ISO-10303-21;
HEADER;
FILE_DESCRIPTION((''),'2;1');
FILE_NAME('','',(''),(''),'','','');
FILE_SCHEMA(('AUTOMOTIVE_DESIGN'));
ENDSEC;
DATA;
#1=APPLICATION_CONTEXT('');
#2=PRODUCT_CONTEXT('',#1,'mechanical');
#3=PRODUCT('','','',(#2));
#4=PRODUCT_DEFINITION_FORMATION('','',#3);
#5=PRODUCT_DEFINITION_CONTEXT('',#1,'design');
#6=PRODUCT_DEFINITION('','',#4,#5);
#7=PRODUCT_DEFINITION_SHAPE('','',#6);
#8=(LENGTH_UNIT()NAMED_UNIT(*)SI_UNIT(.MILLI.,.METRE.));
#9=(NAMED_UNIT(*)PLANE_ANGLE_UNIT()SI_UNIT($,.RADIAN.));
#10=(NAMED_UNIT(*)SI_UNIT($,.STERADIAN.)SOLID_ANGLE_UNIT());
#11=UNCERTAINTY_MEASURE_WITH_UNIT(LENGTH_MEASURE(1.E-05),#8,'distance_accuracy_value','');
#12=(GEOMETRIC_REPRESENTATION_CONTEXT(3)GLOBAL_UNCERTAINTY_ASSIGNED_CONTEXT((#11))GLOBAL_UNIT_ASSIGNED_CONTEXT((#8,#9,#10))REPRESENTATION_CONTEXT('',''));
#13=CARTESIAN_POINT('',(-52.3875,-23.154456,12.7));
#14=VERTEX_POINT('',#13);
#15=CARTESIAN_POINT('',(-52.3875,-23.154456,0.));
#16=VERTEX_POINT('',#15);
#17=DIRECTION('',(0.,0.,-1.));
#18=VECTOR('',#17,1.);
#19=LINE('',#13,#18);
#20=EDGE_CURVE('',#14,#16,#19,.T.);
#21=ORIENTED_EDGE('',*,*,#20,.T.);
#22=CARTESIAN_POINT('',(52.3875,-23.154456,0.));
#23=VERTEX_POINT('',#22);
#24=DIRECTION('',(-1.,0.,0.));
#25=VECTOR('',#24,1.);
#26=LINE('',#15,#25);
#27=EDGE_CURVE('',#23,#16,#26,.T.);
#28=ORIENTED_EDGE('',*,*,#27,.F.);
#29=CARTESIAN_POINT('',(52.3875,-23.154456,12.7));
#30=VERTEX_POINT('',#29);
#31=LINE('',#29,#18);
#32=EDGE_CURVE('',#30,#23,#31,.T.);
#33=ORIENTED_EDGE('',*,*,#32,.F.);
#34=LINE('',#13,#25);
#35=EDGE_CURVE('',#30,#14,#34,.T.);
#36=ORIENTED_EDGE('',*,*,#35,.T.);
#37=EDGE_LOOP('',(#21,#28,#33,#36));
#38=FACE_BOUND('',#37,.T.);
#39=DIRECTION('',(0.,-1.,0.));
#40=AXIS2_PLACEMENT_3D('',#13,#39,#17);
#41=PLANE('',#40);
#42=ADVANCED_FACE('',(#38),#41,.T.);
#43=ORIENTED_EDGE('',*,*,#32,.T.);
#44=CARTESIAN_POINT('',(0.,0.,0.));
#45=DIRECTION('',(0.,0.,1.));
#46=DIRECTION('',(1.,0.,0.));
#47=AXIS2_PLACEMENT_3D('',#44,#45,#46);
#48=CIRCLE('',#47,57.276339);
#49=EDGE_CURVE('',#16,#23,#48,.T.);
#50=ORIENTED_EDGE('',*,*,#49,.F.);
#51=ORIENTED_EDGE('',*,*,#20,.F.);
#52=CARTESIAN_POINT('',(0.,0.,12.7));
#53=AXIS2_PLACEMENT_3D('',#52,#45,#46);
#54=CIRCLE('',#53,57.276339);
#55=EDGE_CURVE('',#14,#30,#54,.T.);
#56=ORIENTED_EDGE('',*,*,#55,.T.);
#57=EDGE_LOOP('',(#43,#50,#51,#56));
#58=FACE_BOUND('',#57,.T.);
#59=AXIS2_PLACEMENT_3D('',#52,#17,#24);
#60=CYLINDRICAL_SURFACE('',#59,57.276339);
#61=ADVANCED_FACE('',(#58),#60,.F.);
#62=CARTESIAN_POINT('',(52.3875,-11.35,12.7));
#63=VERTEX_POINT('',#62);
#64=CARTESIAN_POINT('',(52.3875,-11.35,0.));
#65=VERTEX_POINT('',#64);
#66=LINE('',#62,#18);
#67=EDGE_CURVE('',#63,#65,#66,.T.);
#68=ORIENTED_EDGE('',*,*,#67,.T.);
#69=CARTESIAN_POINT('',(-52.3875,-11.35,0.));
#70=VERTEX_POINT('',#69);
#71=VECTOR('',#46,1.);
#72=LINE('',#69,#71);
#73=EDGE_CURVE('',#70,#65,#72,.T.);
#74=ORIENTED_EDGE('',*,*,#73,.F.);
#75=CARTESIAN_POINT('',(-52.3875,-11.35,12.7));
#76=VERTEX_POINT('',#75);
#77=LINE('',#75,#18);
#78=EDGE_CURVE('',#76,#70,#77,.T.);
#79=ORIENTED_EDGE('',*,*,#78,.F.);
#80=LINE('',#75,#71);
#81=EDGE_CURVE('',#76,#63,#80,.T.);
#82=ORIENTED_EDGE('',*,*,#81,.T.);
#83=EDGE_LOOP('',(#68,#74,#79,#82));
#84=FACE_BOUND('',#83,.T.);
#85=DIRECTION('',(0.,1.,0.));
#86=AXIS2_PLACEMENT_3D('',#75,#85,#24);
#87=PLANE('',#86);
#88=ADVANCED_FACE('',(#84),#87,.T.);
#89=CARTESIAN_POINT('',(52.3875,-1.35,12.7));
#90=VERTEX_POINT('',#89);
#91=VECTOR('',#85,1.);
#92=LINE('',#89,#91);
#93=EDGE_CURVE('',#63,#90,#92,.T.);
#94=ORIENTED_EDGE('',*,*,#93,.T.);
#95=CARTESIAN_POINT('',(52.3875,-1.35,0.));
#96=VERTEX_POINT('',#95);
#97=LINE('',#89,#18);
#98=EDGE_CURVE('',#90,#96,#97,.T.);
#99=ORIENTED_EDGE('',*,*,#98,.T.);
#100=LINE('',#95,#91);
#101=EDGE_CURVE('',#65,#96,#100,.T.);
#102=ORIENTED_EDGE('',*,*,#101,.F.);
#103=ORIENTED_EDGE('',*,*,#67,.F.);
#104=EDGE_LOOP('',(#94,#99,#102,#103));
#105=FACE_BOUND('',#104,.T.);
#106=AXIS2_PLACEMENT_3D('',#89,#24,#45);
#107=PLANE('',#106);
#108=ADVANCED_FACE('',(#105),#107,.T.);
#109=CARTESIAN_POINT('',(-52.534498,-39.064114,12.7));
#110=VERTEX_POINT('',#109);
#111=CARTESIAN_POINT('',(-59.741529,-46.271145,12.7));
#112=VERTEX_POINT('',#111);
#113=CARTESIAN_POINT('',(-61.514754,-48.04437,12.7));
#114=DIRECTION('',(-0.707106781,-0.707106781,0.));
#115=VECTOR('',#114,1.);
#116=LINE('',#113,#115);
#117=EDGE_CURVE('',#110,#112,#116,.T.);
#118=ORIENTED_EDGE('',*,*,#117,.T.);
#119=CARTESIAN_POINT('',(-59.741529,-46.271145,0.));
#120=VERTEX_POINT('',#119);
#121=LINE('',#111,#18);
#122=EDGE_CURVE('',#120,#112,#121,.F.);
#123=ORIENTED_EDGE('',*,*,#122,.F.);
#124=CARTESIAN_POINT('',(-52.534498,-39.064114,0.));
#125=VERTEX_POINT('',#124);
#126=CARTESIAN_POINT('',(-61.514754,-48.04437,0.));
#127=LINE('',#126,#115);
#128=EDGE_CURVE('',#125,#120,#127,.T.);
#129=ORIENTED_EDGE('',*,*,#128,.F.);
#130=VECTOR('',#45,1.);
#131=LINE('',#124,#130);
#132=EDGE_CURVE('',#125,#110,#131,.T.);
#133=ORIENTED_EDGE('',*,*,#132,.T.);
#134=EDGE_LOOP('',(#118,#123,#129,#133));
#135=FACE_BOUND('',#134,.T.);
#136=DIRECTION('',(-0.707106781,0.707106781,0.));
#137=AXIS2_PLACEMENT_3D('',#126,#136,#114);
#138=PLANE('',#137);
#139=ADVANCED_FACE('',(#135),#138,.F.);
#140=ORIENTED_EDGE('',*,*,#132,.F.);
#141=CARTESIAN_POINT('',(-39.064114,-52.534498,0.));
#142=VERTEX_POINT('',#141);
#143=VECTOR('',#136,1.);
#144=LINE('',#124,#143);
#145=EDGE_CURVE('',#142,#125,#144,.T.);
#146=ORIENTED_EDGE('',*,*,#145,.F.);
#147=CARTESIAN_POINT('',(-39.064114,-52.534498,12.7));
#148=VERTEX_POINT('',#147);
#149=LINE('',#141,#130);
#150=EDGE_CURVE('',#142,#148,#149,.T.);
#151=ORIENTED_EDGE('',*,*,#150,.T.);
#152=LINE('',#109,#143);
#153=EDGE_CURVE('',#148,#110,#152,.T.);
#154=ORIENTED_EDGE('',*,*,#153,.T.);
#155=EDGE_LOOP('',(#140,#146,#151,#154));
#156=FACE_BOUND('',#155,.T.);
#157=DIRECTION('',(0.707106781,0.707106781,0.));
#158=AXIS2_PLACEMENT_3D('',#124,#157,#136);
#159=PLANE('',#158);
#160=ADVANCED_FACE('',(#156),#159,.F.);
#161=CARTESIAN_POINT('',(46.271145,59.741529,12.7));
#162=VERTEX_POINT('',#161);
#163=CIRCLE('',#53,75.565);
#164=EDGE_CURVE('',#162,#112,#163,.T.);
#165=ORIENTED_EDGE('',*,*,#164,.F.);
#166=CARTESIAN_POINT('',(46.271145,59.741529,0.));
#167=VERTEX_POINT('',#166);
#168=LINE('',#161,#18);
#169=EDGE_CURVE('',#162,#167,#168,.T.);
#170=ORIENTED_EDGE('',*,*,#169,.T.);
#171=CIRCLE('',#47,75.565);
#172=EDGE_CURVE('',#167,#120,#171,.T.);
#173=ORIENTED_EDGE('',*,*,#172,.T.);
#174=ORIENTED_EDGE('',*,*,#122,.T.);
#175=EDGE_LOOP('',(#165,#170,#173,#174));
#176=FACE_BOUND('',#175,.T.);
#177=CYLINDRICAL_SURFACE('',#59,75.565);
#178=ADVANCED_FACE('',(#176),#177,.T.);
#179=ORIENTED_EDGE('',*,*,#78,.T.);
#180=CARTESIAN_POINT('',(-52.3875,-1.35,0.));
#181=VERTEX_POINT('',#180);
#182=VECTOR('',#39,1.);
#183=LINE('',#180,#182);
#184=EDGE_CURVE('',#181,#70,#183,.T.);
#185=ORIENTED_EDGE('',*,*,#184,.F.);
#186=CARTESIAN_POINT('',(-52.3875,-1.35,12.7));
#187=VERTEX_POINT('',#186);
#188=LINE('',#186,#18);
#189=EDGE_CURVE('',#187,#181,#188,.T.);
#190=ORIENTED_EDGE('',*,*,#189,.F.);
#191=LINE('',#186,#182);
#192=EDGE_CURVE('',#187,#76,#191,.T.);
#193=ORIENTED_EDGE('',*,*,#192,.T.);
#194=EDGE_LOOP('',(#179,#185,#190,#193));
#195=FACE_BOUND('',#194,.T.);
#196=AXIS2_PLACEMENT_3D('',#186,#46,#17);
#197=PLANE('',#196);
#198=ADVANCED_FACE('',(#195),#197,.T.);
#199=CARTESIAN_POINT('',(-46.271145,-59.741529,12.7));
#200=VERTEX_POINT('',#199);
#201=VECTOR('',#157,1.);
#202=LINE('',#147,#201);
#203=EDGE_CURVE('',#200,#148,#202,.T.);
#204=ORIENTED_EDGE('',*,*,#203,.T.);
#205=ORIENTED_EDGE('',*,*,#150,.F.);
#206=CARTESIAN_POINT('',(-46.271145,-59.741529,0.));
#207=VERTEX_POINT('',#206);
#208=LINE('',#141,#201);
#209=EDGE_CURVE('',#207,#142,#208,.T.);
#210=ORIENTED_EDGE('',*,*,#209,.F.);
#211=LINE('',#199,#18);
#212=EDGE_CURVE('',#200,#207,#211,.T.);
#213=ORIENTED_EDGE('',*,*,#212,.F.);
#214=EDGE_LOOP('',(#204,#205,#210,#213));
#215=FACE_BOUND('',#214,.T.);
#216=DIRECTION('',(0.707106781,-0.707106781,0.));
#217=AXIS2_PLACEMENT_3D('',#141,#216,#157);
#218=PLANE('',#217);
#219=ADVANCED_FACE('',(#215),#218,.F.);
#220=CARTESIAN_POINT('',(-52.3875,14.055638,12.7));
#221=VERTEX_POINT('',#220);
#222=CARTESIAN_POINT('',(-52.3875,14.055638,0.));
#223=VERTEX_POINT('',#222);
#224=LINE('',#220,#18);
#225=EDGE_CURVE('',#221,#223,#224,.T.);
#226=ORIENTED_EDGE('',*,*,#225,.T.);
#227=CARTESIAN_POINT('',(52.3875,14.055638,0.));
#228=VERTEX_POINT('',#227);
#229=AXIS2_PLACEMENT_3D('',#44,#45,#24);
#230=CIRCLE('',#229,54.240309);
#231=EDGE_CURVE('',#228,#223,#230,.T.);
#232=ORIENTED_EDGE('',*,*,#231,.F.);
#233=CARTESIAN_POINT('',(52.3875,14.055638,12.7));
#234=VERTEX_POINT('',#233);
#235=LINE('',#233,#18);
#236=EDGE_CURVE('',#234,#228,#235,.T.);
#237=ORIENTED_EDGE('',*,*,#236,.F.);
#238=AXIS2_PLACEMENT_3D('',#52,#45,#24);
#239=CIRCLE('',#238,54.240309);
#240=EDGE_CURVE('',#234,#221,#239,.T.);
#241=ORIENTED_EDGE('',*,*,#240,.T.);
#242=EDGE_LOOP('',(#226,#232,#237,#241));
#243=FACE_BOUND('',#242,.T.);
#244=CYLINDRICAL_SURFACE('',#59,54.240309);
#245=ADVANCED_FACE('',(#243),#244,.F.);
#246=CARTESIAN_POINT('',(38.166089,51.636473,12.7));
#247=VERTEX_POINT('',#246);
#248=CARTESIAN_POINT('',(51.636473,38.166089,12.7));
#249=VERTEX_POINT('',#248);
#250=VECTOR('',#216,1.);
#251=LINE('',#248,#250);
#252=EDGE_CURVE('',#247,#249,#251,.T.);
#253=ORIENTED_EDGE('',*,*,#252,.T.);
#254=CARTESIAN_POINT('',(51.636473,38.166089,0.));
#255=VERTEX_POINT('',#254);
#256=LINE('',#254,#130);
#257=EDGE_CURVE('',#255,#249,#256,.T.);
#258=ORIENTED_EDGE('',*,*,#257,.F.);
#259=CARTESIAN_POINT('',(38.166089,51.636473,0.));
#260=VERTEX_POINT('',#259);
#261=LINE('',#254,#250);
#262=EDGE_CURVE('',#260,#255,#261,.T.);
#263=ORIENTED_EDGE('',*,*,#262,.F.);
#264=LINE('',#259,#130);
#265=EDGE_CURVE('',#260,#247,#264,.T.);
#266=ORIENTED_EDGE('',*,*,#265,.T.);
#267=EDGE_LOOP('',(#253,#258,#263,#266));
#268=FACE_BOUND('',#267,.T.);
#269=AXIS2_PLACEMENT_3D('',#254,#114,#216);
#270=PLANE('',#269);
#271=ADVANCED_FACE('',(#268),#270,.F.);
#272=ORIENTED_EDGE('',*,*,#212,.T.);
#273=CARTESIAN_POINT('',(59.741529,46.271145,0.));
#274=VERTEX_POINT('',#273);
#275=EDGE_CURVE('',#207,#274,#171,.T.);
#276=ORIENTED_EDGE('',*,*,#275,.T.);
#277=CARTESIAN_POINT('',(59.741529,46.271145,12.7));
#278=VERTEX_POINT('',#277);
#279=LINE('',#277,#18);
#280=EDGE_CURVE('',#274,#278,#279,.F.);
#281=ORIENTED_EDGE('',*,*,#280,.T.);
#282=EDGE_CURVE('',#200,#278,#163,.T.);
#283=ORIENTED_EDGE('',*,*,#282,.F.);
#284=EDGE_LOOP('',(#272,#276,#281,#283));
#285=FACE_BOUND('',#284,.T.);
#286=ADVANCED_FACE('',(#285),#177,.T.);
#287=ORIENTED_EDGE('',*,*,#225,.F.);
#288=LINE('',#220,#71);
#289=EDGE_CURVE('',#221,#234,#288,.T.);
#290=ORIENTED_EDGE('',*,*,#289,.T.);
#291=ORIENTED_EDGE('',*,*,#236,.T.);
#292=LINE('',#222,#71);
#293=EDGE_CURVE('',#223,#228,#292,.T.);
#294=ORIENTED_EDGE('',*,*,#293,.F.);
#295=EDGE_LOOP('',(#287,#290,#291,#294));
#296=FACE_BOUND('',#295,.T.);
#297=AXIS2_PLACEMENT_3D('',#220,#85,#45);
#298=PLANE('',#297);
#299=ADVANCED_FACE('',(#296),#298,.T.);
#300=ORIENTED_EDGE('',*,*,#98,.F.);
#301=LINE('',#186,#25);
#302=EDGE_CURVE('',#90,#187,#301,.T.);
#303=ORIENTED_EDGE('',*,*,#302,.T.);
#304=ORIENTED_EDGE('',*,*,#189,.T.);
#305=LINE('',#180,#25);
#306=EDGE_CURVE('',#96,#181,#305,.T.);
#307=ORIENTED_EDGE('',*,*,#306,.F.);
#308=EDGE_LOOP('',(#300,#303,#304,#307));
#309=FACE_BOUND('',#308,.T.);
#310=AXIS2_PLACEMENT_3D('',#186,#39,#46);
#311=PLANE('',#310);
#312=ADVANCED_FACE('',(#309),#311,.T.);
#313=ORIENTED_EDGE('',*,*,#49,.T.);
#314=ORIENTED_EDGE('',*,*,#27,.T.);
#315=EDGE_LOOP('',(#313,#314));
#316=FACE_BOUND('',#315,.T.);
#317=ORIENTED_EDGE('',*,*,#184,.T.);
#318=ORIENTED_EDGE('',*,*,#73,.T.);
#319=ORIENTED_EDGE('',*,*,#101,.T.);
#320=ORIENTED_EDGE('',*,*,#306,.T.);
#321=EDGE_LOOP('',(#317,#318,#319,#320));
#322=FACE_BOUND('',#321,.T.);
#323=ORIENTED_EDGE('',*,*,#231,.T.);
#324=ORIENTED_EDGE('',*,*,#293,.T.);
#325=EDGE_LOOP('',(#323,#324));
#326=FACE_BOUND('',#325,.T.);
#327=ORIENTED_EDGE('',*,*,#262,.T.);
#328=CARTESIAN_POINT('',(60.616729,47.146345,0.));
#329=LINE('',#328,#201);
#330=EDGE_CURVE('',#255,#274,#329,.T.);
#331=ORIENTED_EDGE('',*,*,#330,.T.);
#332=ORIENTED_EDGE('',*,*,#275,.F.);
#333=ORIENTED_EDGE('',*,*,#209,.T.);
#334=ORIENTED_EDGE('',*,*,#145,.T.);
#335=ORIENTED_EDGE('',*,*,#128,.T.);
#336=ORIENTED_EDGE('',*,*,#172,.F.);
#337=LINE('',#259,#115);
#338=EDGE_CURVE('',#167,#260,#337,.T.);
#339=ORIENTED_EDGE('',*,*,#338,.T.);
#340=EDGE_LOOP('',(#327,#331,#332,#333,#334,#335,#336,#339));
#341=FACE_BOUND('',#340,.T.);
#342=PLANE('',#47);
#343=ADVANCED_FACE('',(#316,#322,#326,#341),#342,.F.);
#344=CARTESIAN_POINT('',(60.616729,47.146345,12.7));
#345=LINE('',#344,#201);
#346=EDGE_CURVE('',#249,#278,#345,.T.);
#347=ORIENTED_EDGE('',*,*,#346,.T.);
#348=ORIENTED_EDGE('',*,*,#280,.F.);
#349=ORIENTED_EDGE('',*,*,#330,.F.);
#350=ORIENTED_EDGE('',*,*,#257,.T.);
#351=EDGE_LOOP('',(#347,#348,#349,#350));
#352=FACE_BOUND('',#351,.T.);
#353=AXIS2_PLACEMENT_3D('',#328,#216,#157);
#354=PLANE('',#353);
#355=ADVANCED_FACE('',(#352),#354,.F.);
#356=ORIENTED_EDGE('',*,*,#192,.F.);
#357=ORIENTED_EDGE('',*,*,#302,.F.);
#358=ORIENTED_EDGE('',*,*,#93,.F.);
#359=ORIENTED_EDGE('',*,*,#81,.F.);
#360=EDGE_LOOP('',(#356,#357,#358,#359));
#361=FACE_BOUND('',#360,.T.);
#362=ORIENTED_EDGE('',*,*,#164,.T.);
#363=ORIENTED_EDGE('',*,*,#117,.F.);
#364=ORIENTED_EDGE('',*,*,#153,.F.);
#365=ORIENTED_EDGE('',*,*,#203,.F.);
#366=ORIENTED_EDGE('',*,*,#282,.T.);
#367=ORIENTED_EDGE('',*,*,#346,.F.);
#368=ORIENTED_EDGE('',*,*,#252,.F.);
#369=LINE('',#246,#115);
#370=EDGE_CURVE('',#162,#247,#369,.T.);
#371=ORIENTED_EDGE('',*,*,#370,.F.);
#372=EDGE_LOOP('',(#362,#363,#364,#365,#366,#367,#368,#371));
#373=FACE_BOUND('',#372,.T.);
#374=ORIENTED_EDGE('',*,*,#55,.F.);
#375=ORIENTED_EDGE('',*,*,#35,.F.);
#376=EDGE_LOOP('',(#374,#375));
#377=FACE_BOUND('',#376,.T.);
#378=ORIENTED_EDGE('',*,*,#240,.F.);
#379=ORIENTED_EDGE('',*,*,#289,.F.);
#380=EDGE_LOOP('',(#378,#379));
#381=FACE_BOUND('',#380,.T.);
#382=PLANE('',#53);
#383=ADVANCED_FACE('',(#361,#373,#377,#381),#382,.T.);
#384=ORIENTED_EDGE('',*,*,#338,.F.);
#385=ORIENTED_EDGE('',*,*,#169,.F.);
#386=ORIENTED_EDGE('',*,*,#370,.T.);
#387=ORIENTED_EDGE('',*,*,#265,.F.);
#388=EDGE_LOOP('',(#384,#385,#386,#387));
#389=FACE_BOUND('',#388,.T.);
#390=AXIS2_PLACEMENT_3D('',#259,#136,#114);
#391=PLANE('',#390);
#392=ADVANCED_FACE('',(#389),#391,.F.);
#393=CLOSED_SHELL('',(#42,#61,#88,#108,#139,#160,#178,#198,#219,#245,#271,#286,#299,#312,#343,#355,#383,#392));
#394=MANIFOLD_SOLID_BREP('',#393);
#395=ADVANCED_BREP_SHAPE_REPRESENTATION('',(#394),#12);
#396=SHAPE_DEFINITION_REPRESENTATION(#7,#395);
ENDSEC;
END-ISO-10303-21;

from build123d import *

# Parameters (mm, degrees)
SKETCH1_R           = 75.565
SKETCH1_W           = 104.775
SKETCH1_H           = 10
BOSS_EXTRUDE1_DEPTH = 12.7
CUT_EXTRUDE1_DEPTH  = 12.7


with BuildPart() as part:
    # Sketch1 → Boss-Extrude1 (new body)
    with BuildSketch(Plane.XY):
        Circle(SKETCH1_R)
        with BuildLine():
            Line((-52.3875, 14.055637656), (52.3875, 14.055637656))
            ThreePointArc((52.3875, 14.055637656), (0, 54.240308869), (-52.3875, 14.055637656))
        make_face(mode=Mode.SUBTRACT)
        with Locations((0, -6.35)):
            Rectangle(SKETCH1_W, SKETCH1_H, mode=Mode.SUBTRACT)
        with BuildLine():
            Line((-52.3875, -23.154456235), (52.3875, -23.154456235))
            ThreePointArc((52.3875, -23.154456235), (0, -57.276338917), (-52.3875, -23.154456235))
        make_face(mode=Mode.SUBTRACT)
    extrude(amount=BOSS_EXTRUDE1_DEPTH)

    # Sketch3 → Cut-Extrude1 (cut)
    with BuildSketch(Plane.XY.offset(12.7)):
        Polygon((47.146344636, 60.616728817), (60.616728817, 47.146344636), (51.636472696, 38.166088515), (38.166088515, 51.636472696), align=None)
        Polygon((-52.534498308, -39.064114127), (-39.064114127, -52.534498308), (-48.044370248, -61.514754429), (-61.514754429, -48.044370248), align=None)
    extrude(amount=-CUT_EXTRUDE1_DEPTH, mode=Mode.SUBTRACT)


solid = part.part
